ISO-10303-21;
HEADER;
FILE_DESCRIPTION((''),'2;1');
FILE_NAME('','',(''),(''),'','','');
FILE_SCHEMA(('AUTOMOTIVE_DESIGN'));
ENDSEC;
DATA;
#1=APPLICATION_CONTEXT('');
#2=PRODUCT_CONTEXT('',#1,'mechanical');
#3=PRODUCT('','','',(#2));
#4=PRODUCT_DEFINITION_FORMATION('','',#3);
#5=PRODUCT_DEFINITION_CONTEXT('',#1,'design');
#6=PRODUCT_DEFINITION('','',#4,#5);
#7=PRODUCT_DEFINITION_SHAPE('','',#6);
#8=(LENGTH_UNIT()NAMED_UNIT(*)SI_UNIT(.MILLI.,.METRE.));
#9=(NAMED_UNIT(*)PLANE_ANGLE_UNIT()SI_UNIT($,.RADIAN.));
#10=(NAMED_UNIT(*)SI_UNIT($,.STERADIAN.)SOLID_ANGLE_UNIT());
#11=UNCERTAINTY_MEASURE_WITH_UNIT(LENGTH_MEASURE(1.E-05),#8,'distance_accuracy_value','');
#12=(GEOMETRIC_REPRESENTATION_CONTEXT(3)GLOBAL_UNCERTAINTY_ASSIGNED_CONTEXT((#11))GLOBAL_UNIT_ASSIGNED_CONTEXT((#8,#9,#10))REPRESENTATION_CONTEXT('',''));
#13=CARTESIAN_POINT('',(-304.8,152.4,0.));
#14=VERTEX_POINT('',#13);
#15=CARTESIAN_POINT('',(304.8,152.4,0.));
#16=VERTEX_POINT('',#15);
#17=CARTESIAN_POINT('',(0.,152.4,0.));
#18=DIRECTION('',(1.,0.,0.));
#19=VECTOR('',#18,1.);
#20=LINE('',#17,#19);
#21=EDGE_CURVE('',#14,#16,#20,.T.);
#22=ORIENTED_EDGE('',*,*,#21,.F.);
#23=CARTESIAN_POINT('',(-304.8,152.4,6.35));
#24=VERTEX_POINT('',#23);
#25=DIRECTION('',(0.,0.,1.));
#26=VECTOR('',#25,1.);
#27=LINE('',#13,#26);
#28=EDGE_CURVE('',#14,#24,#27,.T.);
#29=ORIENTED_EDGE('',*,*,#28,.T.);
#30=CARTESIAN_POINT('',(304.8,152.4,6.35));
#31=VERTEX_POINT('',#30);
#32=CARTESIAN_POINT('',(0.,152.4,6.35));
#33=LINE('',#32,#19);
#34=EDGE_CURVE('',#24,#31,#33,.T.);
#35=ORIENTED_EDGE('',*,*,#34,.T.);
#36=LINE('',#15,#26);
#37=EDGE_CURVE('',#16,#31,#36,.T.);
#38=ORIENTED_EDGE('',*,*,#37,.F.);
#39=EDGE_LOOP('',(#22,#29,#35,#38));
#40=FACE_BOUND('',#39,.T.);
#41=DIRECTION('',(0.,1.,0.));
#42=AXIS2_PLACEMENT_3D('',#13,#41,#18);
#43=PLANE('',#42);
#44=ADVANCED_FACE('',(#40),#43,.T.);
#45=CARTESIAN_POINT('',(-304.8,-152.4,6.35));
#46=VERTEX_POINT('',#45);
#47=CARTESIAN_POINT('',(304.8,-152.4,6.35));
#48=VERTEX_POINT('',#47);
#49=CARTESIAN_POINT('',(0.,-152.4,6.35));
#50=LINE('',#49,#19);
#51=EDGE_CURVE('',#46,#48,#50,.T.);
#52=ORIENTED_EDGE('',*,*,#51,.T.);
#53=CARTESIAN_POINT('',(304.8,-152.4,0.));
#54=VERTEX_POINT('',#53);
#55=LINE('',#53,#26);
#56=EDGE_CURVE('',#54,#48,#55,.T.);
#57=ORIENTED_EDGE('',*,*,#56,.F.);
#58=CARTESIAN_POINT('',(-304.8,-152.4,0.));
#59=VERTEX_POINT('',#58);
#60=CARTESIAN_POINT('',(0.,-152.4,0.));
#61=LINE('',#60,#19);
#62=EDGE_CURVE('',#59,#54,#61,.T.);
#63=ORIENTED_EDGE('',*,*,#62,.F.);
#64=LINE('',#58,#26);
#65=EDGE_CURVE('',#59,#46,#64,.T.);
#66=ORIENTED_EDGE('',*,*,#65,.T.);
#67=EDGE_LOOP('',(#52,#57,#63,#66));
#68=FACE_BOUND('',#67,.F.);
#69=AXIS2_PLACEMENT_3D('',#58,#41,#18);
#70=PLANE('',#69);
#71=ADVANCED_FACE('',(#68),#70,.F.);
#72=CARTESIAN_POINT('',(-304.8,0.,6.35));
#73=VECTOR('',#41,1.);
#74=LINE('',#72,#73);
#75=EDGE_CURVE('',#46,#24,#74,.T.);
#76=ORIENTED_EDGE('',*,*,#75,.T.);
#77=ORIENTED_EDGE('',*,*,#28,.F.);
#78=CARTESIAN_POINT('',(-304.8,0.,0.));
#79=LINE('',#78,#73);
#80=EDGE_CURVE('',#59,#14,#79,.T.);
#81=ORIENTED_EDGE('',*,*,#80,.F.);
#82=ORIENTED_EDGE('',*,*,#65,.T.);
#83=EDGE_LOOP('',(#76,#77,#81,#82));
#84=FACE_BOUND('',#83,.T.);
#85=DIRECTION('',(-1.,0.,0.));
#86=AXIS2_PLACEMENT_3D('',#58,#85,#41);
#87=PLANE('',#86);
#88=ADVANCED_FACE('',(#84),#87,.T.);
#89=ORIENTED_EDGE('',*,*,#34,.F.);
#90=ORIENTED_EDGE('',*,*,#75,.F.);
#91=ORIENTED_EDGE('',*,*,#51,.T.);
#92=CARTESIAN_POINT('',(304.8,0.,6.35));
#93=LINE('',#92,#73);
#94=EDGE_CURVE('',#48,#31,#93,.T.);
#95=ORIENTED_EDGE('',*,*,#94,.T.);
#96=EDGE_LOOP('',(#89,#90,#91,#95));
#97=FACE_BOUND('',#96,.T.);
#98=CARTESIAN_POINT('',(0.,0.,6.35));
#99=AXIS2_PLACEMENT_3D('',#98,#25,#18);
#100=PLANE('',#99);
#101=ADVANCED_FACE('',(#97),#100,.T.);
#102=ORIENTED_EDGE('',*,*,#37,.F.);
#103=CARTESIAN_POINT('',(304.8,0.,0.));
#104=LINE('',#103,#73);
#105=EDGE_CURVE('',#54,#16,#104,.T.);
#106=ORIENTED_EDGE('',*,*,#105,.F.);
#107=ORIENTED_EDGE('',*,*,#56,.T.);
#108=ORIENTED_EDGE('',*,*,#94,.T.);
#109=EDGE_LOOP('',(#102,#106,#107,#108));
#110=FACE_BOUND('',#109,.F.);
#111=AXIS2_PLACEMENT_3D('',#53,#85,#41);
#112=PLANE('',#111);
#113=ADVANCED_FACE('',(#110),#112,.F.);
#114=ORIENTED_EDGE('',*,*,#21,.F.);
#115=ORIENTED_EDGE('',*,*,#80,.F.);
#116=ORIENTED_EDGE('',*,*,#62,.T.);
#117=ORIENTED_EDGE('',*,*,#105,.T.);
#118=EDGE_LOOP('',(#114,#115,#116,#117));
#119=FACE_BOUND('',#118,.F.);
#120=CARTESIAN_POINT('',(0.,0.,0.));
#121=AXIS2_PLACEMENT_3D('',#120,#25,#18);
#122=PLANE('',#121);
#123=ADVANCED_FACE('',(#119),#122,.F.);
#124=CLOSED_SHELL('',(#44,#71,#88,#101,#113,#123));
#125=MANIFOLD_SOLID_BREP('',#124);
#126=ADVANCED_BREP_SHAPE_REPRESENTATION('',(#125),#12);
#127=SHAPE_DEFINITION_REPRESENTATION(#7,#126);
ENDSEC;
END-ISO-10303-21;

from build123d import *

# Parameters (mm, degrees)
SKETCH1_W           = 609.6
SKETCH1_H           = 304.8
BOSS_EXTRUDE1_DEPTH = 6.35


with BuildPart() as part:
    # Sketch1 → Boss-Extrude1 (new body)
    with BuildSketch(Plane.XY):
        Rectangle(SKETCH1_W, SKETCH1_H)
    extrude(amount=BOSS_EXTRUDE1_DEPTH)


solid = part.part
